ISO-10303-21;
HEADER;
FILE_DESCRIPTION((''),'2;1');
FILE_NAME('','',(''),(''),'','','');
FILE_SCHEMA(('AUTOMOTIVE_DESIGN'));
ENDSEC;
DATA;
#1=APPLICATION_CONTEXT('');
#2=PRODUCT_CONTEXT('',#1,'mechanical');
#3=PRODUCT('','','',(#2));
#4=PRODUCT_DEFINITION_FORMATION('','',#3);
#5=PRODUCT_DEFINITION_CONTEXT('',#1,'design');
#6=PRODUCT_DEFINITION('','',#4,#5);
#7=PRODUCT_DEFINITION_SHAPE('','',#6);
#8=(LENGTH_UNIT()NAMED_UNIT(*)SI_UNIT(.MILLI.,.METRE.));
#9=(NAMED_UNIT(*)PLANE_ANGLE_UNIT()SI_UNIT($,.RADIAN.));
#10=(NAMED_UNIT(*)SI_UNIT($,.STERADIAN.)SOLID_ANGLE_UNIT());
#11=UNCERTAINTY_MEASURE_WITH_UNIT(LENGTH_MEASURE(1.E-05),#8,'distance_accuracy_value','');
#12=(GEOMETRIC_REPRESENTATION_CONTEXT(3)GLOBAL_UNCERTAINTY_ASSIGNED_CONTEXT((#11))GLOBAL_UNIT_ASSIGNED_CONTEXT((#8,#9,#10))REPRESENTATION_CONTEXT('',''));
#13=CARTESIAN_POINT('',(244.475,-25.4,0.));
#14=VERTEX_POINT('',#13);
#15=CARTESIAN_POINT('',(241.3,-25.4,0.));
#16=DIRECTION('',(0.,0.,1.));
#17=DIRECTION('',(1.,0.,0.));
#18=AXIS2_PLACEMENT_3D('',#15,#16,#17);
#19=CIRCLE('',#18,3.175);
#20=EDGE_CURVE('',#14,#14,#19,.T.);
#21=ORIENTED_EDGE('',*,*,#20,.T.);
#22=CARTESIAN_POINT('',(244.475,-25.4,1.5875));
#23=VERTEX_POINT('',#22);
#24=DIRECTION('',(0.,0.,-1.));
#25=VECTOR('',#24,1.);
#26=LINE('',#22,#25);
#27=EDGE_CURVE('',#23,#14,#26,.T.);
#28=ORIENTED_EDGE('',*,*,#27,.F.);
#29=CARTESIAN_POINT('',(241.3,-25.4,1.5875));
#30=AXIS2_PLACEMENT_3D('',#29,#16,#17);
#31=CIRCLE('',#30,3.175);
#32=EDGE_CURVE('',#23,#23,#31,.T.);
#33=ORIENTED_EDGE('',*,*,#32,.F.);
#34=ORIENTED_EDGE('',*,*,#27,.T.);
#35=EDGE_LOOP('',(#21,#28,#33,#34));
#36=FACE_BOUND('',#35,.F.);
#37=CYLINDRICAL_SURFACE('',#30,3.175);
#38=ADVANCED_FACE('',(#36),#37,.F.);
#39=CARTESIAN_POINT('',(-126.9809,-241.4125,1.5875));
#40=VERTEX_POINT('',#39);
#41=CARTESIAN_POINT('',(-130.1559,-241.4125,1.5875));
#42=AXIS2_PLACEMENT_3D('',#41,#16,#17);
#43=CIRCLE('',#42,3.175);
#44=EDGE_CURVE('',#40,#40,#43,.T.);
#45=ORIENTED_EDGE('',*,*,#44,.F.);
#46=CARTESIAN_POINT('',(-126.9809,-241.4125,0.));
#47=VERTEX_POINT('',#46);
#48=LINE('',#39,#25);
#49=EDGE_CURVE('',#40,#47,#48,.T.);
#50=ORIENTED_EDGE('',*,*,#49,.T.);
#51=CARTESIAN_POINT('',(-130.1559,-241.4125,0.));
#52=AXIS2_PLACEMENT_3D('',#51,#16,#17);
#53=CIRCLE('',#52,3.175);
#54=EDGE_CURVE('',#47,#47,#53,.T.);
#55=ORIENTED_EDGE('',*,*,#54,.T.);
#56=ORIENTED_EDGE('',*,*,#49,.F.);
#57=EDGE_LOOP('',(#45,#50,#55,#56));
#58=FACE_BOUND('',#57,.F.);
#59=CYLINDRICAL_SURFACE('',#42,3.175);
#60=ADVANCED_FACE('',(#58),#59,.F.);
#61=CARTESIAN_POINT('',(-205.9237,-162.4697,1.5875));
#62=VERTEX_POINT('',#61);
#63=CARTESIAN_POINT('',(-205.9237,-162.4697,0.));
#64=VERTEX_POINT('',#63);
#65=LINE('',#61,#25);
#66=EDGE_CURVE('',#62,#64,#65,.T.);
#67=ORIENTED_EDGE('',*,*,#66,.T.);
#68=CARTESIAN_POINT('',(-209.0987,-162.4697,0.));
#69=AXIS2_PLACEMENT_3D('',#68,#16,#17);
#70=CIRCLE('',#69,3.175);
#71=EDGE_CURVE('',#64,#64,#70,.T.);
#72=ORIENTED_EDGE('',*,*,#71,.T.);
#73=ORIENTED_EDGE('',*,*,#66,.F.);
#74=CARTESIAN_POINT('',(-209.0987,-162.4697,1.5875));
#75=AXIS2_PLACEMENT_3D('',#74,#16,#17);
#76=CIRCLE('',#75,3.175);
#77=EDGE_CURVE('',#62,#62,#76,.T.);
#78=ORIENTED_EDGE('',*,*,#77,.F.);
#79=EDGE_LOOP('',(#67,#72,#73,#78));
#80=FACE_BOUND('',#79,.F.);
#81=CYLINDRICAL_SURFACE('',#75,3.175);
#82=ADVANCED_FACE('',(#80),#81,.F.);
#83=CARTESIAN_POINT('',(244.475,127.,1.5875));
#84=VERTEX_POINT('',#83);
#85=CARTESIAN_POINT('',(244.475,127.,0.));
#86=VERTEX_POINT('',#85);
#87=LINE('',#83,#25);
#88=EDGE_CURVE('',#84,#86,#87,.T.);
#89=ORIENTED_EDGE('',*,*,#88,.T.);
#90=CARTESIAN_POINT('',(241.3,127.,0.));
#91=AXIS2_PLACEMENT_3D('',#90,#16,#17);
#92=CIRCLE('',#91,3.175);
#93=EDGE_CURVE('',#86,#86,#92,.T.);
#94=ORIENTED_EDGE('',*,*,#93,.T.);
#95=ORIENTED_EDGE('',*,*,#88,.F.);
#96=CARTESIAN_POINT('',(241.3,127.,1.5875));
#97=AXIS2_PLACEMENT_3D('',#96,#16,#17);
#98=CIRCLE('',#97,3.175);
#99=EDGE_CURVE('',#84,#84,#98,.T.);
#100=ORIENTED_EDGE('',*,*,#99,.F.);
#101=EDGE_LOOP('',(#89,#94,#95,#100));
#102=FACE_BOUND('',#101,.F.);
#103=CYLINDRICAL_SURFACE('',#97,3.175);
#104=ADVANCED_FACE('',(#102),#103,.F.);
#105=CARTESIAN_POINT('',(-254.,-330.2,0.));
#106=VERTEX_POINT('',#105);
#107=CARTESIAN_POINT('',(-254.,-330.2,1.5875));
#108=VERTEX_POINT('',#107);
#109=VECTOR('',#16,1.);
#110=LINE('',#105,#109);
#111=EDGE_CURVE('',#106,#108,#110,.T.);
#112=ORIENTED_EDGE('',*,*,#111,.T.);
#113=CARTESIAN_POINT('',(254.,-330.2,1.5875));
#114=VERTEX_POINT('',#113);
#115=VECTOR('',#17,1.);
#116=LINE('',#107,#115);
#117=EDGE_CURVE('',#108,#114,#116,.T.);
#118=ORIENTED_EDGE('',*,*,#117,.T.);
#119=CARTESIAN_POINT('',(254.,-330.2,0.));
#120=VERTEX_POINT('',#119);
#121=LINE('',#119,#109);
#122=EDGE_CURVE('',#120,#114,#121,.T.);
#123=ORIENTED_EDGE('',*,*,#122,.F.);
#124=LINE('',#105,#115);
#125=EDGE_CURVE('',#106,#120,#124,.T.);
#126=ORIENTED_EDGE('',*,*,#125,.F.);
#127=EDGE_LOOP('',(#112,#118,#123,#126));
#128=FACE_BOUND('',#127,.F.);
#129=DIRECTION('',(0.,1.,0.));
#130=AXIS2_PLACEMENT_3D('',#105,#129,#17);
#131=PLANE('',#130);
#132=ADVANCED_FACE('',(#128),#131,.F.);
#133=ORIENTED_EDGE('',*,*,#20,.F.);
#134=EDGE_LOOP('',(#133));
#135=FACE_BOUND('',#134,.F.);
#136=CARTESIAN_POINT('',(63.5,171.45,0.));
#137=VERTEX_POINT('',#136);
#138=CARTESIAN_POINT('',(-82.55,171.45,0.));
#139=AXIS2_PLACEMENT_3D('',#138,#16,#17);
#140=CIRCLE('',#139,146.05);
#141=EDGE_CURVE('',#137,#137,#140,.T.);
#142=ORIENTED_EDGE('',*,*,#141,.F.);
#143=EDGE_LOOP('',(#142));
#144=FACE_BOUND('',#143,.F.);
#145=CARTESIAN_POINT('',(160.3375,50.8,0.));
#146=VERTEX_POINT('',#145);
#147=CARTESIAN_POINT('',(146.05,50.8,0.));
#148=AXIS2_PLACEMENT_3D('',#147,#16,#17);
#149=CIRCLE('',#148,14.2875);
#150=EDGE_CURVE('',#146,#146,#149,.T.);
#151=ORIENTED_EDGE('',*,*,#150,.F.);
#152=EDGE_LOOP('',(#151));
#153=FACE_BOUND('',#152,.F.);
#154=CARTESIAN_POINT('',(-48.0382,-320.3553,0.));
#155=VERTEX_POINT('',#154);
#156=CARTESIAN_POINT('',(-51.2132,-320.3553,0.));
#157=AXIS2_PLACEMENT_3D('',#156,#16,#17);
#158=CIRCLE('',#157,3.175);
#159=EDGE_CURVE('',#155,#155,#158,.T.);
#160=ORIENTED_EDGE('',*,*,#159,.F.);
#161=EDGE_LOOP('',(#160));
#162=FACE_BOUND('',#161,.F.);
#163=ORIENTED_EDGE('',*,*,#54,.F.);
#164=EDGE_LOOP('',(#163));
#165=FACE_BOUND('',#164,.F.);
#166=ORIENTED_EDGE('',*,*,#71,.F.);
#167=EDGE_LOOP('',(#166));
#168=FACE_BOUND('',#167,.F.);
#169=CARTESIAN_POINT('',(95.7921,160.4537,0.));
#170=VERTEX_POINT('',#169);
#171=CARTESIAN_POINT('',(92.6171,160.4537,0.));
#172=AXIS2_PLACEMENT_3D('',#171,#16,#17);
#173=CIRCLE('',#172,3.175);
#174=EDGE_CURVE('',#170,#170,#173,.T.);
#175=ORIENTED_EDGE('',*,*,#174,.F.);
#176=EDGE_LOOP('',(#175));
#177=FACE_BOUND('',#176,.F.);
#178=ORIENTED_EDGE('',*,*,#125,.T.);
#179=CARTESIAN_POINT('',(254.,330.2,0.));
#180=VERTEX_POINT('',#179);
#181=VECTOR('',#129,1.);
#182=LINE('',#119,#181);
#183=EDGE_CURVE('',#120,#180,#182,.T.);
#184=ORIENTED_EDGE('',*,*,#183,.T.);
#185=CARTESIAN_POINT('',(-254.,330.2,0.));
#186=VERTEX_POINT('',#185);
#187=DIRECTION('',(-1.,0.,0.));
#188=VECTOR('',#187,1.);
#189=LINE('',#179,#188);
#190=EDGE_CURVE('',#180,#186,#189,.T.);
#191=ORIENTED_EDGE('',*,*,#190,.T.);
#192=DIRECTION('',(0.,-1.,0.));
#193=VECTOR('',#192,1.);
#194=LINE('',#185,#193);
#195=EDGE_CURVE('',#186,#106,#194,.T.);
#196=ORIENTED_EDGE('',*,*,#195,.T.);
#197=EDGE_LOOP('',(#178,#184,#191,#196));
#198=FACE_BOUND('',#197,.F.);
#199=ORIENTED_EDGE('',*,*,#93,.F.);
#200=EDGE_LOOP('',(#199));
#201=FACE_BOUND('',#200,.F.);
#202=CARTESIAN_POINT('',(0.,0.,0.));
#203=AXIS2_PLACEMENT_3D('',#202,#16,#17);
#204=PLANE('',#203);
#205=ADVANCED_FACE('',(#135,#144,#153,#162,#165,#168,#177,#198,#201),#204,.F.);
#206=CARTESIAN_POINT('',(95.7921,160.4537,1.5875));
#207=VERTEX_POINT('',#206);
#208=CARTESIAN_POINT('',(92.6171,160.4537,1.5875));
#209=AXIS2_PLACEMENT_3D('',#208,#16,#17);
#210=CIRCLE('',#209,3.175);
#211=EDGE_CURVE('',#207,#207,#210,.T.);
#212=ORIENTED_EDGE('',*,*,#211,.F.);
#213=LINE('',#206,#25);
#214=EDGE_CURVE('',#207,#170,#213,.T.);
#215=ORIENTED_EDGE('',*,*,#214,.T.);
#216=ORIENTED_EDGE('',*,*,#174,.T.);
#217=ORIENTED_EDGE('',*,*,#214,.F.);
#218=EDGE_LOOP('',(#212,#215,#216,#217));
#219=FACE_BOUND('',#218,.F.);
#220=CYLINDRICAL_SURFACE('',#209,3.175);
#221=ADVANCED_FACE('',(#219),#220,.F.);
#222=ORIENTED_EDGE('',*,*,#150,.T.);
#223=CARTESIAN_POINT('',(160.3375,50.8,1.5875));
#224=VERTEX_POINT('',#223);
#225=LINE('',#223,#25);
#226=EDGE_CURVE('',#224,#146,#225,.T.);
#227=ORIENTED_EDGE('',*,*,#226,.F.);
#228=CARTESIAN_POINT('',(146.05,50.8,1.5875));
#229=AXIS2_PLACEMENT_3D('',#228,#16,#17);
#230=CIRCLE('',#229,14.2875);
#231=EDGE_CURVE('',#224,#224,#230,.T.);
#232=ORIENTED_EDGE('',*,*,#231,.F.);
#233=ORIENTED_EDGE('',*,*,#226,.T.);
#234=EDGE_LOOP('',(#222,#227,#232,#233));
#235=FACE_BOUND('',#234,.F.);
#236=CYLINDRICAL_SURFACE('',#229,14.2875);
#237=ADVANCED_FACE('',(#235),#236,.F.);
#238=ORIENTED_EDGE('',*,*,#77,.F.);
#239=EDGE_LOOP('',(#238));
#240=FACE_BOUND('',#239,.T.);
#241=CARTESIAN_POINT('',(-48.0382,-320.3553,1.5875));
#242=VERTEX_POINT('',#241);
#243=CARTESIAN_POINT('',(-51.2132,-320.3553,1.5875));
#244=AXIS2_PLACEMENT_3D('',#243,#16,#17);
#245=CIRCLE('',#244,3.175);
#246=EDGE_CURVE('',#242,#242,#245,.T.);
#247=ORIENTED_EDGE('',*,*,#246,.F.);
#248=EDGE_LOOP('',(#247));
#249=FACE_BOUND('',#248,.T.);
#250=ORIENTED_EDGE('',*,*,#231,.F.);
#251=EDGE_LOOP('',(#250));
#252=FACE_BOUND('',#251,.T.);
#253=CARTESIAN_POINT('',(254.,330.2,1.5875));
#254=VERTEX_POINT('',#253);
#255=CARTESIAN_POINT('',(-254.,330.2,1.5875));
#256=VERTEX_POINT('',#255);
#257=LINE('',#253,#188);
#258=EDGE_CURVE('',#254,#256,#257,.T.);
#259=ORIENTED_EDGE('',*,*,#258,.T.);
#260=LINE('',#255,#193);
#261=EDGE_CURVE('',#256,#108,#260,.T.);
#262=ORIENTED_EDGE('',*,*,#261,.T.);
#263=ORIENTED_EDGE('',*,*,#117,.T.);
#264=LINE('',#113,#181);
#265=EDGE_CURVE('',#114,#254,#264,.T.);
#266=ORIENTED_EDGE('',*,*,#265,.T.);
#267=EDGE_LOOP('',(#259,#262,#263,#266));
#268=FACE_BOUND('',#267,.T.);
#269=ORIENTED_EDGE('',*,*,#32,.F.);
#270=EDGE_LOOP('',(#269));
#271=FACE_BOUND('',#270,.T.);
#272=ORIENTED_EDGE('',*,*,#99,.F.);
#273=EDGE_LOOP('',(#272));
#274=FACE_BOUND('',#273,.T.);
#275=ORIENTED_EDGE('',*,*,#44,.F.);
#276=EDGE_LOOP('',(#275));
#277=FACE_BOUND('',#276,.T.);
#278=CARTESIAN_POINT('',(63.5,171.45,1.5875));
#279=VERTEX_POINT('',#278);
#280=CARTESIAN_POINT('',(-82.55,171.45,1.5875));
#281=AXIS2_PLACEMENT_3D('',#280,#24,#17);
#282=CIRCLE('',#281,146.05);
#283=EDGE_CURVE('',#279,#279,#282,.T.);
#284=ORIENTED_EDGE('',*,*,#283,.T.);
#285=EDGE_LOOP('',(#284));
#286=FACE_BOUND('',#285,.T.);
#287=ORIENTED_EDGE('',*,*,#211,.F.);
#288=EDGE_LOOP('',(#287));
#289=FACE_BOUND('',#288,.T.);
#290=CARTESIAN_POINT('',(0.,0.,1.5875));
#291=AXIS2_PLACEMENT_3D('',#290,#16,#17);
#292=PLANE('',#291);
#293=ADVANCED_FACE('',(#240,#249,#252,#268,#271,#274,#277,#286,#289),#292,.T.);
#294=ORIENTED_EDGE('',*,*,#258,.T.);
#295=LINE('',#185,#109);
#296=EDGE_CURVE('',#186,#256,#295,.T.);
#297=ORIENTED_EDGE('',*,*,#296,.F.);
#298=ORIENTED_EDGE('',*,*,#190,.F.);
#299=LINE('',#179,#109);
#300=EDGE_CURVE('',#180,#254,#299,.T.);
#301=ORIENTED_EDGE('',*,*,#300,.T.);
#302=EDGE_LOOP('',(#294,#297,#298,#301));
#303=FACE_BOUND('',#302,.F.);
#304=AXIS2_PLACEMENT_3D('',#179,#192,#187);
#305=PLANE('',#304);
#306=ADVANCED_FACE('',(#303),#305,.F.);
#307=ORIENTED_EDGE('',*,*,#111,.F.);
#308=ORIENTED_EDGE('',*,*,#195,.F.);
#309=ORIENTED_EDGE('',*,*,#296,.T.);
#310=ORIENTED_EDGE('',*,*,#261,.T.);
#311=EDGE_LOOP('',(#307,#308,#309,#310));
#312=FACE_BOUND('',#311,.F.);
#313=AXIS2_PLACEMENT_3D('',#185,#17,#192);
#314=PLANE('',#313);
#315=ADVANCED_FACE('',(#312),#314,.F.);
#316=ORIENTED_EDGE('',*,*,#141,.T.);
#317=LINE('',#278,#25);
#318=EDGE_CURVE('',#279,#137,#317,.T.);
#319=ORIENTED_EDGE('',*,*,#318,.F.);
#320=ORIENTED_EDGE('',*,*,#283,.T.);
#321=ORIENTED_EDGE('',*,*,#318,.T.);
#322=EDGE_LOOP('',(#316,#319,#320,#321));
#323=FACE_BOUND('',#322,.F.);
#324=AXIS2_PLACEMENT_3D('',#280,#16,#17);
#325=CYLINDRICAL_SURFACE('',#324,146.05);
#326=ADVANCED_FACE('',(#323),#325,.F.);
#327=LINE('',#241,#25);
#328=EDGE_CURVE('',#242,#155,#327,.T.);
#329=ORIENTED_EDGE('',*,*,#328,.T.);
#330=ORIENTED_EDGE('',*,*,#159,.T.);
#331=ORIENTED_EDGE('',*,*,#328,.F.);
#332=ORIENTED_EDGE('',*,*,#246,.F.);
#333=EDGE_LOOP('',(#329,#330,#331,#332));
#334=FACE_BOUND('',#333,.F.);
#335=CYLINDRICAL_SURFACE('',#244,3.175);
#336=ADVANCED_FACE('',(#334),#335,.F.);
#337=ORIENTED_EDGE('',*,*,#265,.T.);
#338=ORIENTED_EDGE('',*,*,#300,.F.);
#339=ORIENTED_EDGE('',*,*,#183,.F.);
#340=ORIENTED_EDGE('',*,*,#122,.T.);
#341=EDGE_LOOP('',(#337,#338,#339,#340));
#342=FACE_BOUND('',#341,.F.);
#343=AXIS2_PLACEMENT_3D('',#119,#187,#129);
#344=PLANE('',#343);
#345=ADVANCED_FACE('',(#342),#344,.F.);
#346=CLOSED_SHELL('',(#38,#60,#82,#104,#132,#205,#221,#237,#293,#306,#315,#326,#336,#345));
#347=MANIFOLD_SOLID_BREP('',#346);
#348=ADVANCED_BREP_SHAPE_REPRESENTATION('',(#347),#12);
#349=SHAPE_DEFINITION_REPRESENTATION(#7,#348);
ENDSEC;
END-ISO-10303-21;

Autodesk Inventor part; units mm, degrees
ref_plane "YZ Plane" through (0, 0, 0) normal (1, 0, 0) x (0, 1, 0)
ref_plane "XZ Plane" through (0, 0, 0) normal (0, 1, 0) x (-1, 0, 0)
ref_plane "XY Plane" through (0, 0, 0) normal (0, 0, 1) x (1, 0, 0)
sketch "Sketch1" plane through (0, 0, 0) normal (0, 0, 1) x (1, 0, 0)
  line L0 (-254, -330.2) -> (254, -330.2)
  line L1 (254, -330.2) -> (254, 330.2)
  line L2 (254, 330.2) -> (-254, 330.2)
  line L3 (-254, 330.2) -> (-254, -330.2)
  point P0 (0, 0)
  dimension "d0" = 508
  dimension "d1" = 660.4
  dimension "d2" = 330.2
  dimension "d3" = 254
extrude "Extrusion1" add sketch "Sketch1" along normal blind 1.5875
sketch "Sketch2" plane through (0, 0, 1.5875) normal (0, 0, 1) x (1, 0, 0)
  line L0 (-254, -330.2) -> (-254, 330.2) projected
  line L1 (254, -330.2) -> (-254, -330.2) projected
  line L2 (-254, 330.2) -> (254, 330.2) projected
  circle A0 centre (-82.55, 171.45) radius 146.05
  circle A1 centre (146.05, 50.8) radius 95.25
  arc A2 (-228.6, 50.8) -> (146.05, -323.85) centre (146.05, 50.8) ccw
  line L3 (-228.6, 50.8) -> (-228.6, 203.2)
  line L4 (146.05, -323.85) -> (222.25, -323.85)
  circle A3 centre (146.05, 50.8) radius 14.2875
  circle A4 centre (76.4372, 288.4526) radius 3.175
  circle A5 centre (171.4841, 288.4526) radius 3.175
  line L5 (254, 330.2) -> (254, -330.2) projected
  point P0 (0, 0)
  point P1 (-82.55, 317.5)
  point P2 (-10.4279, 298.45)
  dimension "d6" = 292.1
  dimension "d7" = 158.75
  dimension "d8" = 171.45
  dimension "d11" = 190.5
  dimension "d16" = 152.4
  dimension "d19" = 76.2
  dimension "d23" = 28.575
  dimension "d27" = 279.4
  dimension "d28" = 25.4
  dimension "d29" = 6.35
  dimension "d31" = 381
  dimension "d33" = 6.35
  dimension "d34" = 6.35
  dimension "d215" = 107.95
extrude "Extrusion2" cut sketch "Sketch2" against normal blind 93.6625 contours A0 | A3
sketch "Sketch10" plane through (0, 0, 1.5875) normal (0, 0, 1) x (1, 0, 0)
  circle A0 centre (146.05, 50.8) radius 14.2875 projected
  line L0 (254, 330.2) -> (254, -330.2) projected
  circle A1 centre (241.3, 127) radius 3.175
  circle A2 centre (241.3, -25.4) radius 3.175
  circle A3 centre (92.6171, 160.4537) radius 3.175
  line L1 (241.3, -25.4) -> (241.3, 127) construction
  line L2 (241.3, 127) -> (92.6171, 160.4537) construction
  line L3 (146.05, 50.8) -> (241.3, -25.4) construction
  line L4 (146.05, 50.8) -> (241.3, 127) construction
  line L5 (146.05, 50.8) -> (92.6171, 160.4537) construction
  point P0 (0, 0)
  dimension "d208" = 6.35
  dimension "d210" = 12.7
  dimension "d214" = 152.4
extrude "Extrusion10" cut sketch "Sketch10" against normal up to next contours A1 | A2 | A3
sketch "Sketch11" plane through (0, 0, 1.5875) normal (0, 0, 1) x (1, 0, 0)
  line L0 (-254, -330.2) -> (-254, 330.2) projected
  line L1 (254, -330.2) -> (-254, -330.2) projected
  line L2 (-254, -330.2) -> (-254, -171.45) construction
  line L3 (-254, -171.45) -> (-95.25, -330.2) construction
  line L4 (-254, -330.2) -> (-95.25, -330.2) construction
  circle A0 centre (-209.0987, -162.4697) radius 3.175
  circle A1 centre (-130.1559, -241.4125) radius 3.175
  circle A2 centre (-51.2132, -320.3553) radius 3.175
  line L5 (-209.0987, -162.4697) -> (-130.1559, -241.4125) construction
  line L6 (-130.1559, -241.4125) -> (-51.2132, -320.3553) construction
  line L7 (-254, -171.45) -> (-217.3278, -134.7778) construction
  point P0 (0, 0)
  dimension "d216" = 158.75
  dimension "d217" = 158.75
  dimension "d218" = 6.35
  dimension "d219" = 38.1
  dimension "d220" = 25.4
extrude "Extrusion11" cut sketch "Sketch11" against normal up to next
equation "\"d2\" = 0.5 * d1"
equation "\"d3\" = 0.5 * d0"
properties part number "Shooter Plate"
